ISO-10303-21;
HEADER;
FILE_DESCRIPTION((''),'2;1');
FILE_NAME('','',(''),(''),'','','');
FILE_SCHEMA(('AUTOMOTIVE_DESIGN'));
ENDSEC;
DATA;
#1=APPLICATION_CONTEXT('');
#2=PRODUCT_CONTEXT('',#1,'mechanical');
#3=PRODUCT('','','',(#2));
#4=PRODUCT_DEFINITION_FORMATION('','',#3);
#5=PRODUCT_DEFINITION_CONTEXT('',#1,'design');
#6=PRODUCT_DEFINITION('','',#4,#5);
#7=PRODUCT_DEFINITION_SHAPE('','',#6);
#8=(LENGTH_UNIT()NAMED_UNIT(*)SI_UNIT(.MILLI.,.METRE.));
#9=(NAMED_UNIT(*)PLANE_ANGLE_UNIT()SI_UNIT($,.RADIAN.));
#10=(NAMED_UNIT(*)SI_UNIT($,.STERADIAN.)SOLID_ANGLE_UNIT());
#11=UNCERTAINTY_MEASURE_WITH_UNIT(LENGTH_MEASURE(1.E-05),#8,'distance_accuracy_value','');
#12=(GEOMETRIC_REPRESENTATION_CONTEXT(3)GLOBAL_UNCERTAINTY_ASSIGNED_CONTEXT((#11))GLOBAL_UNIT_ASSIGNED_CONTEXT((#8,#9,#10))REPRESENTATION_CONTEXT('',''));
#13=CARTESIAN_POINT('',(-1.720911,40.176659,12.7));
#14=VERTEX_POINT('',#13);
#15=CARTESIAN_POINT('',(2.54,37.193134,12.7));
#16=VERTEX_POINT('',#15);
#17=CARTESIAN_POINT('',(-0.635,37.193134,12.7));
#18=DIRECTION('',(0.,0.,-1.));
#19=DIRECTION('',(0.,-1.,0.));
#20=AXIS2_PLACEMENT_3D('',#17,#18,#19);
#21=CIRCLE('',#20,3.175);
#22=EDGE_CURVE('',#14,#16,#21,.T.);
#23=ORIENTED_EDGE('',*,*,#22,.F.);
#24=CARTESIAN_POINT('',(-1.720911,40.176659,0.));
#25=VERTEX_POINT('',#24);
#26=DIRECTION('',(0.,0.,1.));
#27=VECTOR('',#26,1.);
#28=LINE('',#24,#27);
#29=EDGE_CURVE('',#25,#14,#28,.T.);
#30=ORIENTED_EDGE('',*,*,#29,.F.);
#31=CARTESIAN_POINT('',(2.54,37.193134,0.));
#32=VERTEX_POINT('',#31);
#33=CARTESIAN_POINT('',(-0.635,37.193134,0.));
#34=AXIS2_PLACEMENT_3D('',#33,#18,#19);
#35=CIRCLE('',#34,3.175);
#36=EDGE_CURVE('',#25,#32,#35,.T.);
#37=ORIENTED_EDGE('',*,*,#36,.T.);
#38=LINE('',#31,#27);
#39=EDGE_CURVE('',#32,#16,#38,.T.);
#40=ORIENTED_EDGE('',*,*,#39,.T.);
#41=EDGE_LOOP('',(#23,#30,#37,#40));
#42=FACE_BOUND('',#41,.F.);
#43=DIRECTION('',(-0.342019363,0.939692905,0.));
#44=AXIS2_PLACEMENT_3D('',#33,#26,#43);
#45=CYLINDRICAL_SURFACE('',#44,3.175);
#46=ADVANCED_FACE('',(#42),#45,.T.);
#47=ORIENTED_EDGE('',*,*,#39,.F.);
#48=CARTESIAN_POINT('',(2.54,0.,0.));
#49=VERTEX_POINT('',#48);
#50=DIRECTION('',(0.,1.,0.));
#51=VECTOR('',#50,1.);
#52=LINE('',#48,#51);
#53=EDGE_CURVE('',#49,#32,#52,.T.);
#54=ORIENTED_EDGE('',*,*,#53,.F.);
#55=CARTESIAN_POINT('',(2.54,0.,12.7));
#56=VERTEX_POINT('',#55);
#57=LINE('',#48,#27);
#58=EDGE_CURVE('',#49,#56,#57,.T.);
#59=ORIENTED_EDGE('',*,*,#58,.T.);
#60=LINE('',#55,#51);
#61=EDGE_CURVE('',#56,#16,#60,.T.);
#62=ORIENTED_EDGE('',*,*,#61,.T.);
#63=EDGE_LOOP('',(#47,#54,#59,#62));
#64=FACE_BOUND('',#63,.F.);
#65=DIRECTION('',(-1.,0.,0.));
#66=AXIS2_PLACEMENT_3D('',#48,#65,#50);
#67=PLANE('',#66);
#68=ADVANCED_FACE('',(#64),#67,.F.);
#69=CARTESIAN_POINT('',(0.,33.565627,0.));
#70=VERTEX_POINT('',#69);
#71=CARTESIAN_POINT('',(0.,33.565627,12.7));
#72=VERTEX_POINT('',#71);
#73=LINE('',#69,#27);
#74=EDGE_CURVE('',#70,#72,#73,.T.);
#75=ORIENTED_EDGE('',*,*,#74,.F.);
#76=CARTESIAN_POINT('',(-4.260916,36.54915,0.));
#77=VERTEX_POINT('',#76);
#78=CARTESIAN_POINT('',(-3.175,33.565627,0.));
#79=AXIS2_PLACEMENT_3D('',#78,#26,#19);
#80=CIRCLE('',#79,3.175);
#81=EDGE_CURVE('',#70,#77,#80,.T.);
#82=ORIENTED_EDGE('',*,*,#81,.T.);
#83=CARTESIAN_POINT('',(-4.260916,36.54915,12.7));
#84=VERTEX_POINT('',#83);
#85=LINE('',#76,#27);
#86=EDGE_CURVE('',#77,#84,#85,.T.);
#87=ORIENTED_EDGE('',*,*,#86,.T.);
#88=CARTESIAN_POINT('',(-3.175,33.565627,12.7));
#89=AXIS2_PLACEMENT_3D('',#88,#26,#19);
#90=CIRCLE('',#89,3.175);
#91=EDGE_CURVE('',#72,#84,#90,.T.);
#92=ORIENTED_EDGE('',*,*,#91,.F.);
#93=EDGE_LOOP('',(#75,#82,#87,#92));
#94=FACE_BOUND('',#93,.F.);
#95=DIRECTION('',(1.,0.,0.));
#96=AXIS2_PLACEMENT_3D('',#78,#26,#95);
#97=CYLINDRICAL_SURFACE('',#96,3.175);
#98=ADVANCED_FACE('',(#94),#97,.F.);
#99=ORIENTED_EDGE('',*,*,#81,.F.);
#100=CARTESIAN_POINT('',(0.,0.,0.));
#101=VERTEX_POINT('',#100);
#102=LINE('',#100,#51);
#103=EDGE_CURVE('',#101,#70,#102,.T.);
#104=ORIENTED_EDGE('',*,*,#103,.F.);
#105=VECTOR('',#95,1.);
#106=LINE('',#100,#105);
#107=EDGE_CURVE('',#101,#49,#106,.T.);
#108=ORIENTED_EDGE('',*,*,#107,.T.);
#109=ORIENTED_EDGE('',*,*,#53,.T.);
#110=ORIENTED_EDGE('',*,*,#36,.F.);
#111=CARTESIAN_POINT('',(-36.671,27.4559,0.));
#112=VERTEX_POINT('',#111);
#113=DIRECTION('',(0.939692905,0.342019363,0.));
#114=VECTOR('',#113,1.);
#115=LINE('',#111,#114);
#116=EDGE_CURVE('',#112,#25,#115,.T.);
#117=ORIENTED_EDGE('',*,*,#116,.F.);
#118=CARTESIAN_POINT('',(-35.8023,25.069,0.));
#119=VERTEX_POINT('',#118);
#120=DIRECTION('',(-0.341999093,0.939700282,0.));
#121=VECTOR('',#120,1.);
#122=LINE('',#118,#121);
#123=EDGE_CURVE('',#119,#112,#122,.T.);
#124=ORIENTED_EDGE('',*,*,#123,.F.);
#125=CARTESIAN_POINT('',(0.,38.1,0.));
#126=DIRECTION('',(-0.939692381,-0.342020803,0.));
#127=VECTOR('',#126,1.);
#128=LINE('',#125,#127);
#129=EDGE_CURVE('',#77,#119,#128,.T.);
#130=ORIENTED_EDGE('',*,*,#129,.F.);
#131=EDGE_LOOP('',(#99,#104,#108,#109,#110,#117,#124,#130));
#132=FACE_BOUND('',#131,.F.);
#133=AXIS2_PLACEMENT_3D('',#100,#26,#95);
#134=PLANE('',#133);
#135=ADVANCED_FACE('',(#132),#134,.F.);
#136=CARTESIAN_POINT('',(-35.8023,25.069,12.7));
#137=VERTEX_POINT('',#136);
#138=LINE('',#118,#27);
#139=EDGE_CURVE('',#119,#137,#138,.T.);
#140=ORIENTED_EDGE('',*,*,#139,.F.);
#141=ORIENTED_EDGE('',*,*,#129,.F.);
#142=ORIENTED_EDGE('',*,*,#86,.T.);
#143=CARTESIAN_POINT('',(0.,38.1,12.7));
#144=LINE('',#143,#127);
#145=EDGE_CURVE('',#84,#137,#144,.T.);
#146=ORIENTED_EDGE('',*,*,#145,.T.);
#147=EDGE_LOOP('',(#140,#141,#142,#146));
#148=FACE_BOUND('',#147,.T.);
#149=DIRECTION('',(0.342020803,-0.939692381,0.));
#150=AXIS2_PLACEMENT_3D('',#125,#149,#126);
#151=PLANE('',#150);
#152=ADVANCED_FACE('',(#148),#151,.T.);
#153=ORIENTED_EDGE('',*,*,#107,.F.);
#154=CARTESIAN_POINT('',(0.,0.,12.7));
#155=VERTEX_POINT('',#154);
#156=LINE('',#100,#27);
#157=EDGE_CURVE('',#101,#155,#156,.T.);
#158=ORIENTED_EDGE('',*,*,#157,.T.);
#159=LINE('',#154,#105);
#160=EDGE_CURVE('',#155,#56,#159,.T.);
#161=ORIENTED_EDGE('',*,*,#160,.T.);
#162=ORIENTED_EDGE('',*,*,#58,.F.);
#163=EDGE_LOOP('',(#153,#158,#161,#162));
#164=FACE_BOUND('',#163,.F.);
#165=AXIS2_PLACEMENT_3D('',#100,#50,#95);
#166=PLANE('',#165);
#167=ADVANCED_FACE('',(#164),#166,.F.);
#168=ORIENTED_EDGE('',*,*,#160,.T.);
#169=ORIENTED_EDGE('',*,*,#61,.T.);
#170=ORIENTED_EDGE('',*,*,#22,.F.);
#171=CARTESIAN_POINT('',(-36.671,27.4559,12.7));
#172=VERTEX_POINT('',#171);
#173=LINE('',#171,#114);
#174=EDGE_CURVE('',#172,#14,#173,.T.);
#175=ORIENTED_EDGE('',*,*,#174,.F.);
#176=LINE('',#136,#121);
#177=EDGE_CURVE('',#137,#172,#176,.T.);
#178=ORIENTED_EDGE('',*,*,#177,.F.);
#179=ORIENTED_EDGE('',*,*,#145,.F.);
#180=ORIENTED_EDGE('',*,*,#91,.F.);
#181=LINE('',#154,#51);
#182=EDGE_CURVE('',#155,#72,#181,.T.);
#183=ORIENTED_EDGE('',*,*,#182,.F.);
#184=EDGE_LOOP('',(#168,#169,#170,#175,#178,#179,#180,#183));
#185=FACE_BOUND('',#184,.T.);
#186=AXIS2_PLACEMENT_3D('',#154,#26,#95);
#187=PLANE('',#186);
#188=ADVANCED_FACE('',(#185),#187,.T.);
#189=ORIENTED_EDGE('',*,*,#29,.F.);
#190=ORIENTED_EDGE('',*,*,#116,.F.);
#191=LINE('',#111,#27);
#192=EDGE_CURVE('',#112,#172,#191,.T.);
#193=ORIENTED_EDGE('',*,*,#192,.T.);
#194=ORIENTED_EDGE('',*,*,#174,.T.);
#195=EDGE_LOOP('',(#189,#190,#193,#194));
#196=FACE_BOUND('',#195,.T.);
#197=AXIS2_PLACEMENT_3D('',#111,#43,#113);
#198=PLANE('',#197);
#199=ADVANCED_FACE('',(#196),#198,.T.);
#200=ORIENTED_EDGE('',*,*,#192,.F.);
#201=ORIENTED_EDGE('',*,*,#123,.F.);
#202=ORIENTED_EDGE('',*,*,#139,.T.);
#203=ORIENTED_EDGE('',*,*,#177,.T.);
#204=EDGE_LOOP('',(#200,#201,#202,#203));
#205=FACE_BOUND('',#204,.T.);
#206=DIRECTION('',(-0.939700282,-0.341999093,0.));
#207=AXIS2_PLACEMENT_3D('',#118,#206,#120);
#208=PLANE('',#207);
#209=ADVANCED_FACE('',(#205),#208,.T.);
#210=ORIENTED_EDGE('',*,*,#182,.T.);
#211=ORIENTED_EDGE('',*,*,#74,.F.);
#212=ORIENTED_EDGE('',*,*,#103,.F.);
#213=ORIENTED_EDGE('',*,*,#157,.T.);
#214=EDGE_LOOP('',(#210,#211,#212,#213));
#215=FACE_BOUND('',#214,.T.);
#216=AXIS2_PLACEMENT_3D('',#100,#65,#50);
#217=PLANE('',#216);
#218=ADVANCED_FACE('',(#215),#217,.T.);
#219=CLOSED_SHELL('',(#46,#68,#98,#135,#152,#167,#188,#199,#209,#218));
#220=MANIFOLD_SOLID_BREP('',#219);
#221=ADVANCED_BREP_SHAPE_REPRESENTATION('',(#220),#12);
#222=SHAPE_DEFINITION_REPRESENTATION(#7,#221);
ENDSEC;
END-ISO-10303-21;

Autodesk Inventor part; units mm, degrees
ref_plane "YZ Plane" through (0, 0, 0) normal (1, 0, 0) x (0, 1, 0)
ref_plane "XZ Plane" through (0, 0, 0) normal (0, 1, 0) x (-1, 0, 0)
ref_plane "XY Plane" through (0, 0, 0) normal (0, 0, 1) x (1, 0, 0)
sketch "Sketch1" plane through (0, 0, 0) normal (0, 0, 1) x (1, 0, 0)
  line L0 (0, 0) -> (0, 38.1)
  line L1 (0, 38.1) -> (-35.8023, 25.069)
  line L2 (0, 0) -> (2.54, 0)
  line L3 (2.54, 0) -> (2.54, 41.7275)
  line L4 (-35.8023, 25.069) -> (-36.671, 27.4559)
  line L5 (-36.671, 27.4559) -> (2.54, 41.7275)
  dimension "d0" = 38.1
  dimension "d1" = 38.1
  dimension "d2" = 70
  dimension "d3" = 2.54
  dimension "d4" = 2.54
extrude "Extrusion1" add sketch "Sketch1" along normal blind 12.7
fillet "Fillet1" radius 3.175 2 edges at (2.54, 41.7275, 6.35) (0, 38.1, 6.35)
properties part number "70DegreeHinge"
